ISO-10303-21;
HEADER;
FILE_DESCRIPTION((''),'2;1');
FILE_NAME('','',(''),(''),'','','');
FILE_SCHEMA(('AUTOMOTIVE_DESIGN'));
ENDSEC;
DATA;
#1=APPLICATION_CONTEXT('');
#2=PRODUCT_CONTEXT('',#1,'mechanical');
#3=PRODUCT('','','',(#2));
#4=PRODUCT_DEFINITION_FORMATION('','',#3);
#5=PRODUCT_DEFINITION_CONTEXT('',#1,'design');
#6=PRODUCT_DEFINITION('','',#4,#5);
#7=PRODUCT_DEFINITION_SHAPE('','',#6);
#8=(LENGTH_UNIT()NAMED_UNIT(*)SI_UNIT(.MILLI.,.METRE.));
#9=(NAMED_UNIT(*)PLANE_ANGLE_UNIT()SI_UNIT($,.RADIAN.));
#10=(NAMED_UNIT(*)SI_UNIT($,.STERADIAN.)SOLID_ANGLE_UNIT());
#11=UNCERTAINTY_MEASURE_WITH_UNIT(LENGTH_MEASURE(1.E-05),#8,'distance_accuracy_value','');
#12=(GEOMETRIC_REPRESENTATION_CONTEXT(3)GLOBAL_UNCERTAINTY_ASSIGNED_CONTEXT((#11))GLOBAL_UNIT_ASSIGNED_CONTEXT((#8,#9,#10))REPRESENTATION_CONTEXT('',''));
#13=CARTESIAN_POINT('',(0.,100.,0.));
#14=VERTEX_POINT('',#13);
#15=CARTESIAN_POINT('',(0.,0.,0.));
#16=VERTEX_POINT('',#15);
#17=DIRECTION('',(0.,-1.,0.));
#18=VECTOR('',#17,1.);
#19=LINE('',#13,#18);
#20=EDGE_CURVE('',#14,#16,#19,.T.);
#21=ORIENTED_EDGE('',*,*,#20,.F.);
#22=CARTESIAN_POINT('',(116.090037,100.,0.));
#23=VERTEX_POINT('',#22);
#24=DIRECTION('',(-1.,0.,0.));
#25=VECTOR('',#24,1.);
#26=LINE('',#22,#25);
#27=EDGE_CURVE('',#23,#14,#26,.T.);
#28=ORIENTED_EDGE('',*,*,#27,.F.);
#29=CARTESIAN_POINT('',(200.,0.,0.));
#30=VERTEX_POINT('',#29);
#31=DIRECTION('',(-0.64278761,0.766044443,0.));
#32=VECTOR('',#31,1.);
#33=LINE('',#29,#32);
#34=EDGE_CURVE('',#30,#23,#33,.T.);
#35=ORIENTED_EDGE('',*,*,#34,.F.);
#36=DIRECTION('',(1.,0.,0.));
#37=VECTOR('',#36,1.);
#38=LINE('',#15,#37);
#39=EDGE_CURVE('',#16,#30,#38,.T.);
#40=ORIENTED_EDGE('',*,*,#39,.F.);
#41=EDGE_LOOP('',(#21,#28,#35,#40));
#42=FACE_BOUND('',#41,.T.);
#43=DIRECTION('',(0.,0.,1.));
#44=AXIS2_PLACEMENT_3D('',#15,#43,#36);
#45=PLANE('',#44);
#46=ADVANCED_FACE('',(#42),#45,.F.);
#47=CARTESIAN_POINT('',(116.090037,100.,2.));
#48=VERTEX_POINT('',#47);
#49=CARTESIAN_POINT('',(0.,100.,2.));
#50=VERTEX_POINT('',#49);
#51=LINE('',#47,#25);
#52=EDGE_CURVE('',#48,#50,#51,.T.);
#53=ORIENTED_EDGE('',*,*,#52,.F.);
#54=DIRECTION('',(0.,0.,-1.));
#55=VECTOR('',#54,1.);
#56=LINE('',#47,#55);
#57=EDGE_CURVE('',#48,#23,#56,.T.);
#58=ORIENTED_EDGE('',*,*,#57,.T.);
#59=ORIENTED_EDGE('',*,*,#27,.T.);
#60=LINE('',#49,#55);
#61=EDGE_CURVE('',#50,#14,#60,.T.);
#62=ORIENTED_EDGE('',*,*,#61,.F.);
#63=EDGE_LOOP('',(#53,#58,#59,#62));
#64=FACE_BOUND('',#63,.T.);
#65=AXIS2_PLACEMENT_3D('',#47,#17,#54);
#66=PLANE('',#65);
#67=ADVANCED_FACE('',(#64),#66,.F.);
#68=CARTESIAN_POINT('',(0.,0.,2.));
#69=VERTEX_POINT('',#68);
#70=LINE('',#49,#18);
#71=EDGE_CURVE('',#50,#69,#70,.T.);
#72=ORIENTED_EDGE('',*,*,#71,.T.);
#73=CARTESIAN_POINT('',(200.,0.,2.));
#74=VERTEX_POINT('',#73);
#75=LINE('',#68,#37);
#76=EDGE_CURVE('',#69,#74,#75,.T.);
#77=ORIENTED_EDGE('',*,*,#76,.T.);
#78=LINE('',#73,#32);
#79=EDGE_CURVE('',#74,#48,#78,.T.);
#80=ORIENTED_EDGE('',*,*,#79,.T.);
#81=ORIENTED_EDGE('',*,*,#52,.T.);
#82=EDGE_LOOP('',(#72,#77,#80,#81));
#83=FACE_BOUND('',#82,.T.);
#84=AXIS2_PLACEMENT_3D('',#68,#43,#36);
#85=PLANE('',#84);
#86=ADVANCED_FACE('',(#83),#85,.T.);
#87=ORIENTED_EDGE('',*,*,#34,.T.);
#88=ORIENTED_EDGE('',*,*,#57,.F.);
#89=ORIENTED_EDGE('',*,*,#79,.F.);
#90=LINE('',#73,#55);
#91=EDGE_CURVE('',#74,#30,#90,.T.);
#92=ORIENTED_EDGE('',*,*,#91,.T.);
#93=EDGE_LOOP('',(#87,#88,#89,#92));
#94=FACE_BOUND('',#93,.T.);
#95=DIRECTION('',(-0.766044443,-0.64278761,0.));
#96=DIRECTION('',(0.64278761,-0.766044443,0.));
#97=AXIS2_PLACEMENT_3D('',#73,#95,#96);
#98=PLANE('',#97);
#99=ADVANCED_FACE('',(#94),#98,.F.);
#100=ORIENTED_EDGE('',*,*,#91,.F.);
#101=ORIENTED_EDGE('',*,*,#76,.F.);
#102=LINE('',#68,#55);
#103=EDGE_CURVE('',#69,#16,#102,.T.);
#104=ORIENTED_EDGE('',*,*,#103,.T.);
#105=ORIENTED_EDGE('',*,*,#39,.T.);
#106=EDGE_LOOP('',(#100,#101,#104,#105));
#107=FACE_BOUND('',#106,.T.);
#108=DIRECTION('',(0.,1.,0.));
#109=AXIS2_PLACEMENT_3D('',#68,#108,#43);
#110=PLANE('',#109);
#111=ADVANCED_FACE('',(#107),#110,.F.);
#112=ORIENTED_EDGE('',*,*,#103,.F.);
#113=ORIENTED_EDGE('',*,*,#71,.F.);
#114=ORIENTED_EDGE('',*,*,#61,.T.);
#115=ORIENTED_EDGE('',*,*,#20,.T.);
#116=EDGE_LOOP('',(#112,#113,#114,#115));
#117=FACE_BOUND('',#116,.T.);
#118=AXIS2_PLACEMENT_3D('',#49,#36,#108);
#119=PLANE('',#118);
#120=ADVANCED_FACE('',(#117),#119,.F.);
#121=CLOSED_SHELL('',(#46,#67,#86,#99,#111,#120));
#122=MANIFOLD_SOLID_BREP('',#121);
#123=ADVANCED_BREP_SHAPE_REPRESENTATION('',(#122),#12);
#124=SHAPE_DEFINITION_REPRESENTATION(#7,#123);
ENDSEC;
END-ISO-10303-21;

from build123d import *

# Parameters (mm, degrees)
EXTRUDE_1_DEPTH = 2


with BuildPart() as part:
    # ｽｹｯﾁ1 → ﾎﾞｽ - 押し出し1 (new body)
    with BuildSketch(Plane.XY):
        Polygon((0, 0), (200, 0), (116.090036882, 100), (0, 100), align=None)
    extrude(amount=EXTRUDE_1_DEPTH)


solid = part.part
